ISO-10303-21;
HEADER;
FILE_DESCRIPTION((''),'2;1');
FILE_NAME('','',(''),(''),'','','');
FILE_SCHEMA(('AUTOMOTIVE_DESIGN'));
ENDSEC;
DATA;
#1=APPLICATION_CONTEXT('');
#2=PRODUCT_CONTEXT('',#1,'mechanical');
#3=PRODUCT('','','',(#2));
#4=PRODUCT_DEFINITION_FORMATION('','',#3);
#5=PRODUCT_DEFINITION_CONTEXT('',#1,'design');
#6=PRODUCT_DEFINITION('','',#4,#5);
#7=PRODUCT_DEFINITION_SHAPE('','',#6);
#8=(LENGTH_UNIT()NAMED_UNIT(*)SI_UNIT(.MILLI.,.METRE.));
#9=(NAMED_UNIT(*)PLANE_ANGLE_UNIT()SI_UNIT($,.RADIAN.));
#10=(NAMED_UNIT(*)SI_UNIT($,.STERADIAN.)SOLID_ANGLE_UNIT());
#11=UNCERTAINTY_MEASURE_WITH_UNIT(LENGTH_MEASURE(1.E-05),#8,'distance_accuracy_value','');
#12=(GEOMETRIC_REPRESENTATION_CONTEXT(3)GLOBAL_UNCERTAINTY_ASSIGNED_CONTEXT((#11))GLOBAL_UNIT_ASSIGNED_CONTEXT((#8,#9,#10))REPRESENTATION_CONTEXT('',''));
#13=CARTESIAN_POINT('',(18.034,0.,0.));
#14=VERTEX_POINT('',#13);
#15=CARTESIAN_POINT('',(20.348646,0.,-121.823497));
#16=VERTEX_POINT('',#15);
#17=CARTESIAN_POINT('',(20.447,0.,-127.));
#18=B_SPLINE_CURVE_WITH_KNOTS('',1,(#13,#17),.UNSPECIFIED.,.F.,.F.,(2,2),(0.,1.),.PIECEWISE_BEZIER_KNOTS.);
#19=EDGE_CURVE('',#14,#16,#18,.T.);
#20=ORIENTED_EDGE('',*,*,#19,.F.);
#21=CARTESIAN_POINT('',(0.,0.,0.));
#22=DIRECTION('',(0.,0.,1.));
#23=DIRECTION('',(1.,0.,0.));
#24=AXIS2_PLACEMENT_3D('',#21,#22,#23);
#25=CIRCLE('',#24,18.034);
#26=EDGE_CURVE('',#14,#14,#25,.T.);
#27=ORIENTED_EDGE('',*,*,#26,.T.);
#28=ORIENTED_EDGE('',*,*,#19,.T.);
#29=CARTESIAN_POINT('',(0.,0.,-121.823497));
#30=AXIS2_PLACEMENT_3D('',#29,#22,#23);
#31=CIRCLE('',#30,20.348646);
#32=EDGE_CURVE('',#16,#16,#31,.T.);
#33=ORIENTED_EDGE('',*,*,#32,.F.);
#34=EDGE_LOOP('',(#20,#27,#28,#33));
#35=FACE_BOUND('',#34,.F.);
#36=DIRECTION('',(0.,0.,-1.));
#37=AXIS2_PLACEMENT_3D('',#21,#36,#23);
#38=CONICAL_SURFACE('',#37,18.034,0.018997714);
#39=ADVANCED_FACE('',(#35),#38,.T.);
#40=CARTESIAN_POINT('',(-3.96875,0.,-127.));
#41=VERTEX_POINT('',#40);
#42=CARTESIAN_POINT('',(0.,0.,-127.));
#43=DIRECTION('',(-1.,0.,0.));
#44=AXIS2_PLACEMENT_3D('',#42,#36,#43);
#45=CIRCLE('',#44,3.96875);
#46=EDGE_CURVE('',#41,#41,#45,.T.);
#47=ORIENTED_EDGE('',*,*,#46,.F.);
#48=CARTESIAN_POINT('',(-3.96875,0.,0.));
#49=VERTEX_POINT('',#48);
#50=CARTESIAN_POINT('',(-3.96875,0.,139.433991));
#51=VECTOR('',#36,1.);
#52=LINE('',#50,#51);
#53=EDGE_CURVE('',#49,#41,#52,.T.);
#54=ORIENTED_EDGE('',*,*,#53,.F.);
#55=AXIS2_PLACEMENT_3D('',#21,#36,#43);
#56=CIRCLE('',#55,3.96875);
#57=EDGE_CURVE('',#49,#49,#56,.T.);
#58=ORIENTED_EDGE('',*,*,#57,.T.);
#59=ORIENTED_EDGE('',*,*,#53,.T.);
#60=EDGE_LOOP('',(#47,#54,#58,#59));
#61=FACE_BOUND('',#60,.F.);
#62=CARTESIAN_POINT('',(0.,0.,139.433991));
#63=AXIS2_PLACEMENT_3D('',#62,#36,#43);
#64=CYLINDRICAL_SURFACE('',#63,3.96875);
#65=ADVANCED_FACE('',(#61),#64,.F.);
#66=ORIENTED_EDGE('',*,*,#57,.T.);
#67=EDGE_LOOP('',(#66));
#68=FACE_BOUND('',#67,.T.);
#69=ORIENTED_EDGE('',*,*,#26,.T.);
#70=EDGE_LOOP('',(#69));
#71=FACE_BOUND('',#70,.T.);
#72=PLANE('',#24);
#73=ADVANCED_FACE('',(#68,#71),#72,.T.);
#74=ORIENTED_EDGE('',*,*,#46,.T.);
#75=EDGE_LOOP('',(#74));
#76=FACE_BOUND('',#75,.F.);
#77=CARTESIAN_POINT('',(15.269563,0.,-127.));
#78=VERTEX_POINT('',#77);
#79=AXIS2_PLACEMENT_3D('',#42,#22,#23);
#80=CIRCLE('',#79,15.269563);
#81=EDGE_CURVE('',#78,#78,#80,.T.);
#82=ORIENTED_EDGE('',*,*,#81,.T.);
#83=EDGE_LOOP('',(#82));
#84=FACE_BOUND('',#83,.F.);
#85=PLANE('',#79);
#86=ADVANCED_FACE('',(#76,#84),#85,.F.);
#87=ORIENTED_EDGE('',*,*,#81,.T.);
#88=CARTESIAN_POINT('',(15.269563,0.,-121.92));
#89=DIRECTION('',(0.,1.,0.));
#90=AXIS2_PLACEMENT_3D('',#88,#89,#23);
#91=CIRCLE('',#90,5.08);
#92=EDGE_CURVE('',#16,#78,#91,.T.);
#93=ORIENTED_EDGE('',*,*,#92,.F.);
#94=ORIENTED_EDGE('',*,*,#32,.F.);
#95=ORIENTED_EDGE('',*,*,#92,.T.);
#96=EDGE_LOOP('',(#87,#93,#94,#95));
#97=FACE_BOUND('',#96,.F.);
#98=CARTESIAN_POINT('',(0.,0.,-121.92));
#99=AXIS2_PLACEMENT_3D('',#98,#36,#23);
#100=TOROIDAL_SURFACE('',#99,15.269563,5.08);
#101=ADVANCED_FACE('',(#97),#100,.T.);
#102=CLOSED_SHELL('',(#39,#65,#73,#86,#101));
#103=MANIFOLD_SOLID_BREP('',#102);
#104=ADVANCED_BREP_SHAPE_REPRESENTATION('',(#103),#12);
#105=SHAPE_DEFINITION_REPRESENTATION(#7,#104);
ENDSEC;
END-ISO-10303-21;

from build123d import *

# Parameters (mm, degrees)
F0_R = 18.034
F2_R = 20.447
F4_R = 5.08
F6_D = 7.9375


with BuildPart() as f3:
    # F0 (on Top) → F3 section 0
    with BuildSketch(Plane.XY):
        Circle(F0_R)
    # F2 (on offset) → F3 section 1
    with BuildSketch(Plane.XY.offset(-127)):
        Circle(F2_R)
    loft()

    # F4
    f4_edges = [f3.edges().sort_by_distance(p)[0] for p in [
        (-20.447, 0, -127),
    ]]
    fillet(f4_edges, radius=F4_R)

    # F6 (through all)
    with Locations(Plane.XY):
        with Locations((0, 0)):
            Hole(F6_D / 2)


solid = f3.part
